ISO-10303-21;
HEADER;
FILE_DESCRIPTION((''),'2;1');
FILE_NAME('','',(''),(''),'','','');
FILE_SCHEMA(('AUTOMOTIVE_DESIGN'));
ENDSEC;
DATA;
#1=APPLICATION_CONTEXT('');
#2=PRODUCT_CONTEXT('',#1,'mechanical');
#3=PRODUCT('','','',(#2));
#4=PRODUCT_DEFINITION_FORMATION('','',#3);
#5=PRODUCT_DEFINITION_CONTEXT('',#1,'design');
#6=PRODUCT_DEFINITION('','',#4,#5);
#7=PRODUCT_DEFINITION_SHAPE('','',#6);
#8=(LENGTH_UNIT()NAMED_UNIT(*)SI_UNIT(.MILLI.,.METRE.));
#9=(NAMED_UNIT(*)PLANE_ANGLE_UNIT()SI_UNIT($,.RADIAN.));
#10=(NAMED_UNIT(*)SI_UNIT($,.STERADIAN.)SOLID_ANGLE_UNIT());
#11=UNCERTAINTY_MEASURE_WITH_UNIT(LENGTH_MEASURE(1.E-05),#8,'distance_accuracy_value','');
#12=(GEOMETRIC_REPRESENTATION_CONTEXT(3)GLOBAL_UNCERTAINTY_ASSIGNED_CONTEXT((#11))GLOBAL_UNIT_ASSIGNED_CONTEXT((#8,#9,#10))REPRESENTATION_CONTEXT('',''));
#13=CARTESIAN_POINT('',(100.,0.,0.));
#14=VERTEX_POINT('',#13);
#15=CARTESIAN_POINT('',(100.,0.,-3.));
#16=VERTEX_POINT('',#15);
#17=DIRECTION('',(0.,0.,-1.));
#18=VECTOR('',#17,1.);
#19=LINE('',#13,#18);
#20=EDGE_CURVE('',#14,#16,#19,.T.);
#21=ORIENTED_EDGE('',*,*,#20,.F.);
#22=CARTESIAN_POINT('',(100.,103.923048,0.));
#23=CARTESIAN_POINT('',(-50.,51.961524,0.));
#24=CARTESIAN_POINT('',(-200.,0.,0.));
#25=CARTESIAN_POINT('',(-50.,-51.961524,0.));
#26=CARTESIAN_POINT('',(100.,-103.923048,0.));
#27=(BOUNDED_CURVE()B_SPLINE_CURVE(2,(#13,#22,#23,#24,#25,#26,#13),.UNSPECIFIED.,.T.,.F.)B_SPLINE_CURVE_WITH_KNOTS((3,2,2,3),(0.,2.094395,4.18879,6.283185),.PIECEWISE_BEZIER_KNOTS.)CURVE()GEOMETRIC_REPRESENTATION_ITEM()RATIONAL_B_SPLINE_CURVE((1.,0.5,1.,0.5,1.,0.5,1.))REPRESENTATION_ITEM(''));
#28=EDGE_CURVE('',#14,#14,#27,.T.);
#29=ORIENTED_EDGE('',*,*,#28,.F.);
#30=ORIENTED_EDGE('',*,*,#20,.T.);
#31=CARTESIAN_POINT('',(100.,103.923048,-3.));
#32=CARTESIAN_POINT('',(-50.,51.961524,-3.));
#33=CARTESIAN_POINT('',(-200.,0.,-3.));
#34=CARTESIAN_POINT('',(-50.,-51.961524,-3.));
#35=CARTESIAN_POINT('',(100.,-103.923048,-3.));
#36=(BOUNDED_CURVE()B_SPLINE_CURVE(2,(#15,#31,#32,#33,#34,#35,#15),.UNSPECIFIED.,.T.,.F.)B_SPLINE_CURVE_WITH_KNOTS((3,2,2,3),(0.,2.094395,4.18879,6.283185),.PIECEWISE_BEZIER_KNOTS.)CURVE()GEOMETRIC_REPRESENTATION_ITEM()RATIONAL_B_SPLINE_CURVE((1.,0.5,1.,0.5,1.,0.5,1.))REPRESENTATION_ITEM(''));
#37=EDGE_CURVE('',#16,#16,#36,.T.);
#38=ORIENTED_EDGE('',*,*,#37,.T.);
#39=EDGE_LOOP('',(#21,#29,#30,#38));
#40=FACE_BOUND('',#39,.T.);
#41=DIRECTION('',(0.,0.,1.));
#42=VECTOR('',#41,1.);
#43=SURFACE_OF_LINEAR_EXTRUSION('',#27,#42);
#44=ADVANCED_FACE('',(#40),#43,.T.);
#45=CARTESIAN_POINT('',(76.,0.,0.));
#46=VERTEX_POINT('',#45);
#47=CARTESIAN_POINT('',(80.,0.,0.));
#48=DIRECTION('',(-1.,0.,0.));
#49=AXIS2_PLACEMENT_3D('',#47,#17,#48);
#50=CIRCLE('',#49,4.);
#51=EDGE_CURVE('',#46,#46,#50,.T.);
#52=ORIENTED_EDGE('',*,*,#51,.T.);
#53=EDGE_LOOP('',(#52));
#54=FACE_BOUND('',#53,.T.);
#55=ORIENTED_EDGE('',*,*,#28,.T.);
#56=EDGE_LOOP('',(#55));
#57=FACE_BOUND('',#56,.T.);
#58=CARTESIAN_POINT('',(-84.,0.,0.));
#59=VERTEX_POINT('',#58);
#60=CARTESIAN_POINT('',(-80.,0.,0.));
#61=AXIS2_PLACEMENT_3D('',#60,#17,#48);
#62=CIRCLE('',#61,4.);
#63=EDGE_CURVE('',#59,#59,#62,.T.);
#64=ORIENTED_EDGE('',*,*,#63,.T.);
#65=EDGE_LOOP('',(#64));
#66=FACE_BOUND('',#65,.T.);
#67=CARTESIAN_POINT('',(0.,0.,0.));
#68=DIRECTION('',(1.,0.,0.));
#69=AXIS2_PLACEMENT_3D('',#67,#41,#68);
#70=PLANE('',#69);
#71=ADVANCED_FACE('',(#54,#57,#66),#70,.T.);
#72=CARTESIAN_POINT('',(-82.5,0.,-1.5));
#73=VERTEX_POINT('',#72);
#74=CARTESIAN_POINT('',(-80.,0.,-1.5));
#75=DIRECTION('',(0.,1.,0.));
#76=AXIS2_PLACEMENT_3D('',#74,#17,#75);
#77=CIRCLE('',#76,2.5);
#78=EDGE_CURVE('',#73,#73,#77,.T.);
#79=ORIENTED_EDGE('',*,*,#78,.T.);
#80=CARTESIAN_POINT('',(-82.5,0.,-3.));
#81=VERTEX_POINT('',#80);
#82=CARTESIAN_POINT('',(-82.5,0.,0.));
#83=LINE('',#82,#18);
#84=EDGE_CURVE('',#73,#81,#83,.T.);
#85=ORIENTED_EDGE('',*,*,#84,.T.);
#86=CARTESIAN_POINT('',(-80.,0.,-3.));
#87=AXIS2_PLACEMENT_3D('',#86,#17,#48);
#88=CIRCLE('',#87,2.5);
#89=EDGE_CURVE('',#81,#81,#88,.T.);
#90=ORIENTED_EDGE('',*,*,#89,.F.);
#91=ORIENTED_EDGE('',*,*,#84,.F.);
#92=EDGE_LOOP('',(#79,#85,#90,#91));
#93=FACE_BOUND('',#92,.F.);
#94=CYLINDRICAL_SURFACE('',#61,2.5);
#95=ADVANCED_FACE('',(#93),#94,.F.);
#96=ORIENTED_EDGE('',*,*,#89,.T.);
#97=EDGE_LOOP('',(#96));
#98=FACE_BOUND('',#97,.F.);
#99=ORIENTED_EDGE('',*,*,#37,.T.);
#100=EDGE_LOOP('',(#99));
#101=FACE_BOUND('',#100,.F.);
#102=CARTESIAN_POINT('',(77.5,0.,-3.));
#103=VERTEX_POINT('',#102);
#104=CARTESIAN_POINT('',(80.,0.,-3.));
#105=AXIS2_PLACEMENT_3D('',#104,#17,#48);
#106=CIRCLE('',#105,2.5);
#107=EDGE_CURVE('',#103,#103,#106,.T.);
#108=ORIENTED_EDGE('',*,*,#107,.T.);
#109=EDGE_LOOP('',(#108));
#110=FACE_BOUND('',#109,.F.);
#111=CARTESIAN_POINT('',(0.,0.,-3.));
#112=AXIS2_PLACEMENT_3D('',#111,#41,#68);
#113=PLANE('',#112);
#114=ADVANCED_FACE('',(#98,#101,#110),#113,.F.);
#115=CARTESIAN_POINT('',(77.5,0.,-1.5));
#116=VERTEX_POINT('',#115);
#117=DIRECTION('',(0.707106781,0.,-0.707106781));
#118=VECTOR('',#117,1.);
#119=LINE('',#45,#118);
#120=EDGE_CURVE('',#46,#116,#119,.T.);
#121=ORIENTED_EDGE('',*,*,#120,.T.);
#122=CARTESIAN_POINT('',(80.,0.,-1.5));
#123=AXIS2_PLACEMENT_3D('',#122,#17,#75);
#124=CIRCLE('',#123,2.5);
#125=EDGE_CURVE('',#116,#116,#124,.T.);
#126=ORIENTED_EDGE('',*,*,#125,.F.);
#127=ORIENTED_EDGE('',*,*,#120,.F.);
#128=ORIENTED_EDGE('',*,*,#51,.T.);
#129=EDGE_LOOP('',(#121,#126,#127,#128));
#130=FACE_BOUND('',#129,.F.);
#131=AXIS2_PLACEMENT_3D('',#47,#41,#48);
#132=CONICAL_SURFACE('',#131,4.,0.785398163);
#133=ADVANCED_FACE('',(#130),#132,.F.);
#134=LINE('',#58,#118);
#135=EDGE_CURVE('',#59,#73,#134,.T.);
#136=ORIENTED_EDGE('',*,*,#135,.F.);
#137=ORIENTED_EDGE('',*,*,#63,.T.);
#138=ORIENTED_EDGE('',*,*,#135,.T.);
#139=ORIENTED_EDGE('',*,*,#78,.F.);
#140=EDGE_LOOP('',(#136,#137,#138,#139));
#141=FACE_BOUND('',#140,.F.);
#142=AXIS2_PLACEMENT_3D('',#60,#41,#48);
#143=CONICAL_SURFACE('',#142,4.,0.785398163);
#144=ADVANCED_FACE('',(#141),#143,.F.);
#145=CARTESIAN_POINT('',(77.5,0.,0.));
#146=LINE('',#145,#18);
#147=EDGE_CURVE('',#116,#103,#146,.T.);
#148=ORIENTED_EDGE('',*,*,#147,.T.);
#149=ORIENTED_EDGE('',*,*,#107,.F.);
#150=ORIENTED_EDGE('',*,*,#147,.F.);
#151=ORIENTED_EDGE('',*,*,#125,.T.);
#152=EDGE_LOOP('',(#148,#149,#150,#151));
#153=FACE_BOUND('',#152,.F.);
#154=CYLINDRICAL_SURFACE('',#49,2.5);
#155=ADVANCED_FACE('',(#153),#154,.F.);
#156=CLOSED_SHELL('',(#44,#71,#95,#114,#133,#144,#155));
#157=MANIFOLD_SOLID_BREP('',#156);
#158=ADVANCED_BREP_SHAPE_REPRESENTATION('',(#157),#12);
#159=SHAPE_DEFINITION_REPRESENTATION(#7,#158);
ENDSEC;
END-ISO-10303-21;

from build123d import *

# Parameters (mm, degrees)
F1_DEPTH       = 3
F3_D           = 5
F3_CSINK_D     = 8
F3_CSINK_ANGLE = 90


with BuildPart() as f1:
    # F0 (on Top) → F1 (new body)
    with BuildSketch(Plane.XY):
        with BuildLine():
            add(Edge.make_bspline(
                [(100, 0), (100, 103.923048), (-50, 51.961524), (-200, 0), (-50, -51.961524), (100, -103.923048), (100, 0)],
                knots=[0, 0, 0, 2.094395, 2.094395, 4.18879, 4.18879, 6.283185, 6.283185, 6.283185], degree=2, weights=[1, 0.5, 1, 0.5, 1, 0.5, 1]))
        make_face()
    extrude(amount=-F1_DEPTH)

    # F3 (through all)
    with Locations(Plane.XY):
        with Locations((-80, 0), (80, 0)):
            CounterSinkHole(F3_D / 2, F3_CSINK_D / 2, counter_sink_angle=F3_CSINK_ANGLE)


solid = f1.part
